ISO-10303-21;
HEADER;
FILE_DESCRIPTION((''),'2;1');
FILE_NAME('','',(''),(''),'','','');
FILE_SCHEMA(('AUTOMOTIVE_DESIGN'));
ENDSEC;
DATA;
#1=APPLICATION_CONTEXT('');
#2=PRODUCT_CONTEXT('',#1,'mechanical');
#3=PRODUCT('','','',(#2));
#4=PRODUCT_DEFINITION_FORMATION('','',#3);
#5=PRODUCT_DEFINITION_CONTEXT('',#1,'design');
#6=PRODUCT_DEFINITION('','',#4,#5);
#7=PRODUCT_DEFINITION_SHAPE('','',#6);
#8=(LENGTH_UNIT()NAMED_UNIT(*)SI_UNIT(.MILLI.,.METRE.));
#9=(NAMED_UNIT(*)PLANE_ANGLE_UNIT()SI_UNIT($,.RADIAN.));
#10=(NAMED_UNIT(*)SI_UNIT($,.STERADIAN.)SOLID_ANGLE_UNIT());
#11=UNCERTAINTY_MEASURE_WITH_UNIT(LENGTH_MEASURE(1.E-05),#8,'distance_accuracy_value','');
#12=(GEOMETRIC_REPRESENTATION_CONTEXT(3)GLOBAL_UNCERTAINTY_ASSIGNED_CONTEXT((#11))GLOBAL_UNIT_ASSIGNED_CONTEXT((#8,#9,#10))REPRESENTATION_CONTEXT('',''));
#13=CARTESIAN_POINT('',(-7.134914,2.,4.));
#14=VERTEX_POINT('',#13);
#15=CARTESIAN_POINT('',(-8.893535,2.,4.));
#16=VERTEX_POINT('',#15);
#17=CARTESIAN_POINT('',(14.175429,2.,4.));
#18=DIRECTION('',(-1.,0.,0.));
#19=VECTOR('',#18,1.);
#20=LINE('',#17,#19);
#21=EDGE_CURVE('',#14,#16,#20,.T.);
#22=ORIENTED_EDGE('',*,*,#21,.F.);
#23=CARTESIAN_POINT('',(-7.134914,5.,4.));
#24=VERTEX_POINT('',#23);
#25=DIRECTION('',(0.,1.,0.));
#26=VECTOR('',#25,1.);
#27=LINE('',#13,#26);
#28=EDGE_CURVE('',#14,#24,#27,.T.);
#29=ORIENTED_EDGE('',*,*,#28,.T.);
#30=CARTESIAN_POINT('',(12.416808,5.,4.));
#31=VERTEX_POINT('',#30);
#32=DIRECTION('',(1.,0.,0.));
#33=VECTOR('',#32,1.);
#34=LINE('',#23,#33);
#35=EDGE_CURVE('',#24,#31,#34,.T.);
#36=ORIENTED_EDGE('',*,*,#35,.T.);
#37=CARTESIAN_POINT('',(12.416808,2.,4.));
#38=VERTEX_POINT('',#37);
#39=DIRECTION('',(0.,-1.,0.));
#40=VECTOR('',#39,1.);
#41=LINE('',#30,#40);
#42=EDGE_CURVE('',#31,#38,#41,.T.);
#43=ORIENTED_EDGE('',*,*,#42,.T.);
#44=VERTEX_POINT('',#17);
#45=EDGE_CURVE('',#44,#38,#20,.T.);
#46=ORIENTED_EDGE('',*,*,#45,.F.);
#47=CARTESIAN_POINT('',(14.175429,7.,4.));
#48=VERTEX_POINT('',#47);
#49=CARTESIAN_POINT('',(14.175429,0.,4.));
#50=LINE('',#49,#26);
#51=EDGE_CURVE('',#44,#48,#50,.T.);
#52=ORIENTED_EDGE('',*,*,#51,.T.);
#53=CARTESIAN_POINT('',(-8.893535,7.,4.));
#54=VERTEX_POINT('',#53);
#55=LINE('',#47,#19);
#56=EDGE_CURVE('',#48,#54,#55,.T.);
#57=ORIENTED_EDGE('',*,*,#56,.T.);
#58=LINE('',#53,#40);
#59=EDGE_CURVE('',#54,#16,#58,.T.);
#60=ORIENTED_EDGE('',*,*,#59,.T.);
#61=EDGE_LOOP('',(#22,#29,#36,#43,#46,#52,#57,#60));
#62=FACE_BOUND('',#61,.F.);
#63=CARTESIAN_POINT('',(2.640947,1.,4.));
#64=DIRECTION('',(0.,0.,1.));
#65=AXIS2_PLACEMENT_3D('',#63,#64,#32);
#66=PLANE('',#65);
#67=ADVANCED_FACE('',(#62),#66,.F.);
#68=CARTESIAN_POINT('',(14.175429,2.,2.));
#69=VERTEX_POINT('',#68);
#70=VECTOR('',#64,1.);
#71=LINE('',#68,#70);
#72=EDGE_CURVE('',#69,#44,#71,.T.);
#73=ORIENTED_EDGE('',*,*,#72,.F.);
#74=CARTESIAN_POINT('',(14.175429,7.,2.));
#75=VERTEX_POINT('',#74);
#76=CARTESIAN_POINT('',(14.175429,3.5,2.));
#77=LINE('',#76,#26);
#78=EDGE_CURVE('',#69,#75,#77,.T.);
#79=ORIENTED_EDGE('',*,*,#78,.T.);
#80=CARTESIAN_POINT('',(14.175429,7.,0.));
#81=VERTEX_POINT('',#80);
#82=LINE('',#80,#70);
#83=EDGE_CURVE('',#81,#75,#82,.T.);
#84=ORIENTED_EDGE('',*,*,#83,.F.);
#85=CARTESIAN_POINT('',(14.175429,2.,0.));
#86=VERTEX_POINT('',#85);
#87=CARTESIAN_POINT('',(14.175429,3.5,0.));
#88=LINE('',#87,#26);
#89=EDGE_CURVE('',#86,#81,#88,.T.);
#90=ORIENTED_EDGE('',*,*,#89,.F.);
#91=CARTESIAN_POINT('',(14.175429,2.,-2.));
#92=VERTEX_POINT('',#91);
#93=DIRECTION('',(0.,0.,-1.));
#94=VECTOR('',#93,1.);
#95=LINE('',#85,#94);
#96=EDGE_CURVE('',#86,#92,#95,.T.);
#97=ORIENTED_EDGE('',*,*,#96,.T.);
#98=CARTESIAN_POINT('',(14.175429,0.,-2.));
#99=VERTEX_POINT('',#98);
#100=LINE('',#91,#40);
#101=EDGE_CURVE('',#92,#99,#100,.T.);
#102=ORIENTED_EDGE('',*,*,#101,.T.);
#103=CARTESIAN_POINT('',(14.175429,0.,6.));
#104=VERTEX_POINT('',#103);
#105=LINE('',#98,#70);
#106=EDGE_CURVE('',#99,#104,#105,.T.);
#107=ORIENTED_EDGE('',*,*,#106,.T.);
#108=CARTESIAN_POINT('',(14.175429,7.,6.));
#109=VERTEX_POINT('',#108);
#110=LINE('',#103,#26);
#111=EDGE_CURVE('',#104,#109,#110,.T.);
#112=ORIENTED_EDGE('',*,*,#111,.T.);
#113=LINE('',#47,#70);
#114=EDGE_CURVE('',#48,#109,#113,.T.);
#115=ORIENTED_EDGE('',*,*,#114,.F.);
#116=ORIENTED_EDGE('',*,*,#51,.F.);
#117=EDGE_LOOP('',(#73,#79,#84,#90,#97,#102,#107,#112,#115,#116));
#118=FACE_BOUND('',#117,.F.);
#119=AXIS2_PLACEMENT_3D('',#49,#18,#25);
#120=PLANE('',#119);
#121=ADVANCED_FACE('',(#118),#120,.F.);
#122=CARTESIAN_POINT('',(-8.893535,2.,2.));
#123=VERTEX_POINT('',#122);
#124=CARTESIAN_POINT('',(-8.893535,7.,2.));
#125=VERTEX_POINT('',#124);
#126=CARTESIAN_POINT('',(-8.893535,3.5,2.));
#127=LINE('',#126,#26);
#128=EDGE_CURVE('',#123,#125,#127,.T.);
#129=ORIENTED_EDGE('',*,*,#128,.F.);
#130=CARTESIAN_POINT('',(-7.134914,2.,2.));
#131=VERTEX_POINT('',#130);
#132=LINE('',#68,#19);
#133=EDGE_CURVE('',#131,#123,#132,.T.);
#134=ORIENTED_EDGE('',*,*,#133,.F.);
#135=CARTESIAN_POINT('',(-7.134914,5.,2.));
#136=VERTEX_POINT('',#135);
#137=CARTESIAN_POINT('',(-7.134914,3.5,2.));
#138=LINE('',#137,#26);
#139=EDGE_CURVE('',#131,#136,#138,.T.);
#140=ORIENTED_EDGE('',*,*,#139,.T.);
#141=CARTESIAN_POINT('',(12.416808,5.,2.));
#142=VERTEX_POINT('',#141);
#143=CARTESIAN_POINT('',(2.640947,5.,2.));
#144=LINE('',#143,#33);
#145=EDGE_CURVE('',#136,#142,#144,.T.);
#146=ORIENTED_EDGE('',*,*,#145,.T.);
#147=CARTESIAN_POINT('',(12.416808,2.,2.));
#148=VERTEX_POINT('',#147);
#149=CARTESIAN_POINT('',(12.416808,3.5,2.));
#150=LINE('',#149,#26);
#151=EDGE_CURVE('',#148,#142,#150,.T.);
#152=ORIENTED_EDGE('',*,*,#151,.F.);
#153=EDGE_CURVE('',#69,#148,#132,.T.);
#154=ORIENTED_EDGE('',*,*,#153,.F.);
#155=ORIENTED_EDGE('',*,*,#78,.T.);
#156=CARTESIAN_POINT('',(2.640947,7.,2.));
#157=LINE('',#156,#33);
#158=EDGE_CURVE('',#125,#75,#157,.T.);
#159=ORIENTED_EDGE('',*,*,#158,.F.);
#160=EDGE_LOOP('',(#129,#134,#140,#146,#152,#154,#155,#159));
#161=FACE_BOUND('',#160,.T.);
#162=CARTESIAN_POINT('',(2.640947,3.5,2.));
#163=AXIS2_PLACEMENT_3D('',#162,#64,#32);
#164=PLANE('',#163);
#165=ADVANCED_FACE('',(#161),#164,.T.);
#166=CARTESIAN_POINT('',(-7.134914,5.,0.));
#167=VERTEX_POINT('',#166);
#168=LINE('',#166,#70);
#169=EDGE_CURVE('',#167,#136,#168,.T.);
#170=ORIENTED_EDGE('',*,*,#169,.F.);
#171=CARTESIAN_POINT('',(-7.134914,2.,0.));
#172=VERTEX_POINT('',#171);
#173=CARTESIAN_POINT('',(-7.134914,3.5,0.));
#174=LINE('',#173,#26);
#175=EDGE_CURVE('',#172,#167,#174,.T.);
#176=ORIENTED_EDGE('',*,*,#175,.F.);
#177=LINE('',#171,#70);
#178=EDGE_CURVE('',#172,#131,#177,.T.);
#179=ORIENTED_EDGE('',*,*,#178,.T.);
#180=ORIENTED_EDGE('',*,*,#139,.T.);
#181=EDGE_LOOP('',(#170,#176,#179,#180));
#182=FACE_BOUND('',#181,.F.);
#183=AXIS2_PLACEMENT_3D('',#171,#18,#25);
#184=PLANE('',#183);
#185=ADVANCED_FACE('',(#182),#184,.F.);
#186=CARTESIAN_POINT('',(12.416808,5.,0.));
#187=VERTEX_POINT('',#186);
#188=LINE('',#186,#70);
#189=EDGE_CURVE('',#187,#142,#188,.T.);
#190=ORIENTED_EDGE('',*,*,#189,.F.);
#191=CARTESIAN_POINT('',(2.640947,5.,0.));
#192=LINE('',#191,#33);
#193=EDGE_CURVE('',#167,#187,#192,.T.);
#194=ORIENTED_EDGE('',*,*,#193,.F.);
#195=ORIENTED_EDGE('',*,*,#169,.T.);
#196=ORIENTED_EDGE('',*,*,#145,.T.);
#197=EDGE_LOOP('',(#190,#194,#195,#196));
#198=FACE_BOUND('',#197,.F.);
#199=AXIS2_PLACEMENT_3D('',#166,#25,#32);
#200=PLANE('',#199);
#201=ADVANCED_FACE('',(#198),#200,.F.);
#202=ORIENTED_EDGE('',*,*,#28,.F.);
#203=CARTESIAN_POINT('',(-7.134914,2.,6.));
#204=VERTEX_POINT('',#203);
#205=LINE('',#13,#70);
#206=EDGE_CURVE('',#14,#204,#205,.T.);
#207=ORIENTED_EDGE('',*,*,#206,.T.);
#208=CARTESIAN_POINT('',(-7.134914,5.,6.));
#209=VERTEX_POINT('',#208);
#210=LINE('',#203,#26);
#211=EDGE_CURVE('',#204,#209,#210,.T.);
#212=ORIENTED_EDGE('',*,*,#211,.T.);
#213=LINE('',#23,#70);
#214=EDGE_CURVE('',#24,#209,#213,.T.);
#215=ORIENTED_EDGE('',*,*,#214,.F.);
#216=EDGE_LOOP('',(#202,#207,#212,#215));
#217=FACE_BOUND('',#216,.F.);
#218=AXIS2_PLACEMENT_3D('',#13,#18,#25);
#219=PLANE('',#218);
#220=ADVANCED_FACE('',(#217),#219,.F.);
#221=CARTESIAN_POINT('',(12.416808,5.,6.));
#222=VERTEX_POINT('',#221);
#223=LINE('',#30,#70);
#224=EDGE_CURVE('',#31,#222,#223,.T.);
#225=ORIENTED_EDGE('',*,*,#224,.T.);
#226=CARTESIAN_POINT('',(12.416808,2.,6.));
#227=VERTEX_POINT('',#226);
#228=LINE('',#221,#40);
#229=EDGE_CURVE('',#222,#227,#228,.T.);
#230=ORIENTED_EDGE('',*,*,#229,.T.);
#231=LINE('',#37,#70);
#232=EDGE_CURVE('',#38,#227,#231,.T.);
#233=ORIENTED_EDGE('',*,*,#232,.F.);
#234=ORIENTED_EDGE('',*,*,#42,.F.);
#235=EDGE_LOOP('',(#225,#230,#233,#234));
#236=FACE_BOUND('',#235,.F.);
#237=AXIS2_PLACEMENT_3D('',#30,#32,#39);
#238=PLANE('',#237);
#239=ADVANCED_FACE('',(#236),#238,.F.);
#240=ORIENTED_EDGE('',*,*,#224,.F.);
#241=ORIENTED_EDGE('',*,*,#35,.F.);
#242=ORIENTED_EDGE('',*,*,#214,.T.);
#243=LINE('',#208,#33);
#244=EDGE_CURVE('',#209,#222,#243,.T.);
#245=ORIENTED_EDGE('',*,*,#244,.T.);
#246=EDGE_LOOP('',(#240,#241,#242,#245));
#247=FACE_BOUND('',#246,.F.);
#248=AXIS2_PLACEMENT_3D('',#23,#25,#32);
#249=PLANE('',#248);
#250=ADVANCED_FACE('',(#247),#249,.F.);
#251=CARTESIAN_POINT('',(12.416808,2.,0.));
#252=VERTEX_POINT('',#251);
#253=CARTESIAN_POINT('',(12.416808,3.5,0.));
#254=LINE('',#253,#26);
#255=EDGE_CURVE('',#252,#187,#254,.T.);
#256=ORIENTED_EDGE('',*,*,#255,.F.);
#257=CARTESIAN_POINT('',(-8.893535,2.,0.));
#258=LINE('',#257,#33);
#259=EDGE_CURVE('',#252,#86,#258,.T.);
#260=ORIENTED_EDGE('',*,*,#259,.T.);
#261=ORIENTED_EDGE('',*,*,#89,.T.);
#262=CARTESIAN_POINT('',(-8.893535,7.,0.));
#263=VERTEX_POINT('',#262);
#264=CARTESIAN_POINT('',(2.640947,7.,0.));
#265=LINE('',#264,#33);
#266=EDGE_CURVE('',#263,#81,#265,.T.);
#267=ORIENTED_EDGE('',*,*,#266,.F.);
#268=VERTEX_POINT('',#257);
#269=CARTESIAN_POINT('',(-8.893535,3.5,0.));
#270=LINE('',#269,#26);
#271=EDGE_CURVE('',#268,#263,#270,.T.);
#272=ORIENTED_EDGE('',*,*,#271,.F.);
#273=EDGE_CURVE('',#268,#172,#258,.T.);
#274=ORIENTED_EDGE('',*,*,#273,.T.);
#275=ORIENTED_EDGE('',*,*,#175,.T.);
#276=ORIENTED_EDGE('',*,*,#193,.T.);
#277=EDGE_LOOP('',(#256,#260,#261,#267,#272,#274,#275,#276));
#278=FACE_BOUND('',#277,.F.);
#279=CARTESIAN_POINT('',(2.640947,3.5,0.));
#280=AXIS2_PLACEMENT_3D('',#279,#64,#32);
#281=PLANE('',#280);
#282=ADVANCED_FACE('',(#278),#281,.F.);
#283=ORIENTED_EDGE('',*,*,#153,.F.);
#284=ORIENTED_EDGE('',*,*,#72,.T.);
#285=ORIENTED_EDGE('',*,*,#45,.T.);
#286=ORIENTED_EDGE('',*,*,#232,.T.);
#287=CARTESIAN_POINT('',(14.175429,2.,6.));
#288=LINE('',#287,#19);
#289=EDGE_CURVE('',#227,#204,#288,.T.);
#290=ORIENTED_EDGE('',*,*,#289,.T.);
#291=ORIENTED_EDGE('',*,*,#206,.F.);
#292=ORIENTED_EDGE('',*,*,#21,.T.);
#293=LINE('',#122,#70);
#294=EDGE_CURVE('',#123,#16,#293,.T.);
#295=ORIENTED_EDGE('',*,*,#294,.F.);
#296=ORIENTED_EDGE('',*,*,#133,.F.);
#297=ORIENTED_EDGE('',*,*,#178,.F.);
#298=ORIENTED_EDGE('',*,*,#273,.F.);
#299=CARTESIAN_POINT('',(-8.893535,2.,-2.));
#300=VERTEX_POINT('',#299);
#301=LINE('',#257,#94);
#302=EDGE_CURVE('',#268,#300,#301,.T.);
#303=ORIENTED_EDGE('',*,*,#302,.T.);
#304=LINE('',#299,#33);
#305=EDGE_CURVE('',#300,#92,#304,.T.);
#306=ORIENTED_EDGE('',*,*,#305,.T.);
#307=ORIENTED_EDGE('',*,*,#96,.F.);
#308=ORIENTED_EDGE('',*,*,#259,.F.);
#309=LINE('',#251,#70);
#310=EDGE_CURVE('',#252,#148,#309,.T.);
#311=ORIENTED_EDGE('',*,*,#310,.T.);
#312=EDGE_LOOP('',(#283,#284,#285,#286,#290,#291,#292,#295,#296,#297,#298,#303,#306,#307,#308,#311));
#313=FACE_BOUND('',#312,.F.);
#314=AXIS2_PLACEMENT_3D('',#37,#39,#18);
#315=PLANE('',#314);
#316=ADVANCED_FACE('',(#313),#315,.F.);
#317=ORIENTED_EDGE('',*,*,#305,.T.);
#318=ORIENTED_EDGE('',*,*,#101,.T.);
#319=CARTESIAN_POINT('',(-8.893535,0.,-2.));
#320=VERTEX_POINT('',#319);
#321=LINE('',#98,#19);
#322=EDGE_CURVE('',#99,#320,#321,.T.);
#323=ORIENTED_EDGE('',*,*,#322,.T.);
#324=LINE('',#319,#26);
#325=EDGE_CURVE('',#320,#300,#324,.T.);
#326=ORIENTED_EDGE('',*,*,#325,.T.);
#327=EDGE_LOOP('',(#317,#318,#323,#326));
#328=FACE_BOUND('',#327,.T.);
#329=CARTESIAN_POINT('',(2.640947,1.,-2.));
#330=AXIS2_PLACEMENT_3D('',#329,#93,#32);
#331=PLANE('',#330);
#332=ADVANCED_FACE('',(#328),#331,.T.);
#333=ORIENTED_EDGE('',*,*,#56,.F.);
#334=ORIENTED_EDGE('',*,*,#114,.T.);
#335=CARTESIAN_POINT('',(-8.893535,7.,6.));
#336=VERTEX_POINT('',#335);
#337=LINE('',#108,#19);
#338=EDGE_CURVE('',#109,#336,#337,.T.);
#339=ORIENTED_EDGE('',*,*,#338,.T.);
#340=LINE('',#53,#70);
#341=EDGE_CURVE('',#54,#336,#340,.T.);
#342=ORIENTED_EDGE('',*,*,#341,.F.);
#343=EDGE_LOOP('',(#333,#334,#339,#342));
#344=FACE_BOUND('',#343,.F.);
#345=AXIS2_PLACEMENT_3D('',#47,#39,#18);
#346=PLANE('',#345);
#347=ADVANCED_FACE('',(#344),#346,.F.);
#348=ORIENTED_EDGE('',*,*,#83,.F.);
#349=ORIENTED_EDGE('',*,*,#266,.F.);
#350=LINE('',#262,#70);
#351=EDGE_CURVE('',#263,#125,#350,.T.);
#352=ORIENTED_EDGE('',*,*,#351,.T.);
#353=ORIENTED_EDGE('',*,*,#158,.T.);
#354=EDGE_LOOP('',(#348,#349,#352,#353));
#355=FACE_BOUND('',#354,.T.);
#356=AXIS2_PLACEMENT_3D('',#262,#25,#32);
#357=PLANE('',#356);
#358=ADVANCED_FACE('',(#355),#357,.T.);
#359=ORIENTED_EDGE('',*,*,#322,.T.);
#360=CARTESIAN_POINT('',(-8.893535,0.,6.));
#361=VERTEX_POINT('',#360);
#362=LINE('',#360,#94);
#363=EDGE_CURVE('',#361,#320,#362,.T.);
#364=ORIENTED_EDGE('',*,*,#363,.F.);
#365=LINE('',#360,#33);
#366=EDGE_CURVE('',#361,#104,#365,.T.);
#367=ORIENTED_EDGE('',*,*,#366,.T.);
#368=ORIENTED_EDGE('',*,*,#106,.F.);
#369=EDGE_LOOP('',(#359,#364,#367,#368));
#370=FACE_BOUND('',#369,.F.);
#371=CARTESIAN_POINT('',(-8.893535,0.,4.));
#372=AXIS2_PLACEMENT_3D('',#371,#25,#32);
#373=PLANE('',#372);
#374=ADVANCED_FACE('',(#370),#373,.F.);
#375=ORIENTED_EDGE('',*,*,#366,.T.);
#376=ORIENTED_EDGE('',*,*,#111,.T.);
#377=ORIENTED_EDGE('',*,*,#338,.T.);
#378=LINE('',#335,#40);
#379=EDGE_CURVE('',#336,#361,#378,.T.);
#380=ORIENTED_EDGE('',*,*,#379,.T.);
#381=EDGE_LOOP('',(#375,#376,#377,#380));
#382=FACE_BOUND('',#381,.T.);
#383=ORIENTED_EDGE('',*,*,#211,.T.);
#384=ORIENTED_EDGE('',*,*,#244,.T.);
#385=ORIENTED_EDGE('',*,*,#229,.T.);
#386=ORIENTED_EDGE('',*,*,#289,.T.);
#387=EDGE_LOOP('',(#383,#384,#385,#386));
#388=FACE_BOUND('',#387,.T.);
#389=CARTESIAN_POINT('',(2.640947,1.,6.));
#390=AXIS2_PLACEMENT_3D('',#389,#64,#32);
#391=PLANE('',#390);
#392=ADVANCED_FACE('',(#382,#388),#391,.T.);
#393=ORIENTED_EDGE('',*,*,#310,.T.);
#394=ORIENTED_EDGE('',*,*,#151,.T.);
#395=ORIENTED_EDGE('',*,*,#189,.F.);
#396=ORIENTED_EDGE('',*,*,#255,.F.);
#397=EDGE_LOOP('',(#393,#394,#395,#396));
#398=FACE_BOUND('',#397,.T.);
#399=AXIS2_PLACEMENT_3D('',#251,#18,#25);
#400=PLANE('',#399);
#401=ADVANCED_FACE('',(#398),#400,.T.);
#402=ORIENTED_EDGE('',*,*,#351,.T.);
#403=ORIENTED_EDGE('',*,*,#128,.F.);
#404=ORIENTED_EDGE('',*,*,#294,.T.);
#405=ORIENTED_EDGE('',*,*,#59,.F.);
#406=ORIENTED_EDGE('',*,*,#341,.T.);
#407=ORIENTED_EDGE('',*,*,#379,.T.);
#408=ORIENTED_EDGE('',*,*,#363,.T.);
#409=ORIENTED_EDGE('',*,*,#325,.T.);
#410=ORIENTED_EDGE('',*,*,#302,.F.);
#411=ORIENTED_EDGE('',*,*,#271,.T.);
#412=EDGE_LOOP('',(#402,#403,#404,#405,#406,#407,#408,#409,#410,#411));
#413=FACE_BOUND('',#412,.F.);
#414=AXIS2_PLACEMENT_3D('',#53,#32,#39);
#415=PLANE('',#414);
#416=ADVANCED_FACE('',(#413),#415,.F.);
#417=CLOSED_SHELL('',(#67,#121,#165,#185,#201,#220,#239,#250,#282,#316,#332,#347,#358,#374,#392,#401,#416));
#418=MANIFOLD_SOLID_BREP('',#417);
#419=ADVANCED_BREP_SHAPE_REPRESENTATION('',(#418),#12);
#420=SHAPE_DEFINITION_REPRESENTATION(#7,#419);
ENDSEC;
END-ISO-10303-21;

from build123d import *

# Parameters (mm, degrees)
F0_W     = 23.068964
F0_H     = 7
F0_W_2   = 19.551722
F0_H_2   = 3
F1_DEPTH = 2
F3_DEPTH = 2
F5_DEPTH = 2
F7_DEPTH = 2


with BuildPart() as f1:
    # F0 (on Top) → F1 (new body)
    with BuildSketch(Plane.XY):
        with Locations((2.640947, 3.5)):
            Rectangle(F0_W, F0_H)
        with Locations((2.640947, 3.5)):
            Rectangle(F0_W_2, F0_H_2, mode=Mode.SUBTRACT)
    extrude(amount=F1_DEPTH)

    # F2 (on face) → F3 (join)
    with BuildSketch(Plane(origin=(0, 0, 0), x_dir=(1, 0, 0), z_dir=(0, 0, -1))):
        Polygon((14.175429, -2), (14.175429, 0), (-8.893535, 0), (-8.893535, -2), (-7.134914, -2), (12.416808, -2), align=None)
    extrude(amount=F3_DEPTH)

    # F4 (on face) → F5 (join)
    with BuildSketch(Plane.XY.offset(2)):
        Polygon((-8.893535, 2), (-8.893535, 0), (14.175429, 0), (14.175429, 2), (12.416808, 2), (-7.134914, 2), align=None)
    extrude(amount=F5_DEPTH)

    # F6 (on face) → F7 (join)
    with BuildSketch(Plane.XY.offset(4)):
        Polygon((-7.134914, 2), (-8.893535, 2), (-8.893535, 0), (14.175429, 0), (14.175429, 2), (12.416808, 2), align=None)
        Polygon((-8.893535, 7), (-8.893535, 2), (-7.134914, 2), (-7.134914, 5), (12.416808, 5), (12.416808, 2), (14.175429, 2), (14.175429, 7), align=None)
    extrude(amount=F7_DEPTH)


solid = f1.part
